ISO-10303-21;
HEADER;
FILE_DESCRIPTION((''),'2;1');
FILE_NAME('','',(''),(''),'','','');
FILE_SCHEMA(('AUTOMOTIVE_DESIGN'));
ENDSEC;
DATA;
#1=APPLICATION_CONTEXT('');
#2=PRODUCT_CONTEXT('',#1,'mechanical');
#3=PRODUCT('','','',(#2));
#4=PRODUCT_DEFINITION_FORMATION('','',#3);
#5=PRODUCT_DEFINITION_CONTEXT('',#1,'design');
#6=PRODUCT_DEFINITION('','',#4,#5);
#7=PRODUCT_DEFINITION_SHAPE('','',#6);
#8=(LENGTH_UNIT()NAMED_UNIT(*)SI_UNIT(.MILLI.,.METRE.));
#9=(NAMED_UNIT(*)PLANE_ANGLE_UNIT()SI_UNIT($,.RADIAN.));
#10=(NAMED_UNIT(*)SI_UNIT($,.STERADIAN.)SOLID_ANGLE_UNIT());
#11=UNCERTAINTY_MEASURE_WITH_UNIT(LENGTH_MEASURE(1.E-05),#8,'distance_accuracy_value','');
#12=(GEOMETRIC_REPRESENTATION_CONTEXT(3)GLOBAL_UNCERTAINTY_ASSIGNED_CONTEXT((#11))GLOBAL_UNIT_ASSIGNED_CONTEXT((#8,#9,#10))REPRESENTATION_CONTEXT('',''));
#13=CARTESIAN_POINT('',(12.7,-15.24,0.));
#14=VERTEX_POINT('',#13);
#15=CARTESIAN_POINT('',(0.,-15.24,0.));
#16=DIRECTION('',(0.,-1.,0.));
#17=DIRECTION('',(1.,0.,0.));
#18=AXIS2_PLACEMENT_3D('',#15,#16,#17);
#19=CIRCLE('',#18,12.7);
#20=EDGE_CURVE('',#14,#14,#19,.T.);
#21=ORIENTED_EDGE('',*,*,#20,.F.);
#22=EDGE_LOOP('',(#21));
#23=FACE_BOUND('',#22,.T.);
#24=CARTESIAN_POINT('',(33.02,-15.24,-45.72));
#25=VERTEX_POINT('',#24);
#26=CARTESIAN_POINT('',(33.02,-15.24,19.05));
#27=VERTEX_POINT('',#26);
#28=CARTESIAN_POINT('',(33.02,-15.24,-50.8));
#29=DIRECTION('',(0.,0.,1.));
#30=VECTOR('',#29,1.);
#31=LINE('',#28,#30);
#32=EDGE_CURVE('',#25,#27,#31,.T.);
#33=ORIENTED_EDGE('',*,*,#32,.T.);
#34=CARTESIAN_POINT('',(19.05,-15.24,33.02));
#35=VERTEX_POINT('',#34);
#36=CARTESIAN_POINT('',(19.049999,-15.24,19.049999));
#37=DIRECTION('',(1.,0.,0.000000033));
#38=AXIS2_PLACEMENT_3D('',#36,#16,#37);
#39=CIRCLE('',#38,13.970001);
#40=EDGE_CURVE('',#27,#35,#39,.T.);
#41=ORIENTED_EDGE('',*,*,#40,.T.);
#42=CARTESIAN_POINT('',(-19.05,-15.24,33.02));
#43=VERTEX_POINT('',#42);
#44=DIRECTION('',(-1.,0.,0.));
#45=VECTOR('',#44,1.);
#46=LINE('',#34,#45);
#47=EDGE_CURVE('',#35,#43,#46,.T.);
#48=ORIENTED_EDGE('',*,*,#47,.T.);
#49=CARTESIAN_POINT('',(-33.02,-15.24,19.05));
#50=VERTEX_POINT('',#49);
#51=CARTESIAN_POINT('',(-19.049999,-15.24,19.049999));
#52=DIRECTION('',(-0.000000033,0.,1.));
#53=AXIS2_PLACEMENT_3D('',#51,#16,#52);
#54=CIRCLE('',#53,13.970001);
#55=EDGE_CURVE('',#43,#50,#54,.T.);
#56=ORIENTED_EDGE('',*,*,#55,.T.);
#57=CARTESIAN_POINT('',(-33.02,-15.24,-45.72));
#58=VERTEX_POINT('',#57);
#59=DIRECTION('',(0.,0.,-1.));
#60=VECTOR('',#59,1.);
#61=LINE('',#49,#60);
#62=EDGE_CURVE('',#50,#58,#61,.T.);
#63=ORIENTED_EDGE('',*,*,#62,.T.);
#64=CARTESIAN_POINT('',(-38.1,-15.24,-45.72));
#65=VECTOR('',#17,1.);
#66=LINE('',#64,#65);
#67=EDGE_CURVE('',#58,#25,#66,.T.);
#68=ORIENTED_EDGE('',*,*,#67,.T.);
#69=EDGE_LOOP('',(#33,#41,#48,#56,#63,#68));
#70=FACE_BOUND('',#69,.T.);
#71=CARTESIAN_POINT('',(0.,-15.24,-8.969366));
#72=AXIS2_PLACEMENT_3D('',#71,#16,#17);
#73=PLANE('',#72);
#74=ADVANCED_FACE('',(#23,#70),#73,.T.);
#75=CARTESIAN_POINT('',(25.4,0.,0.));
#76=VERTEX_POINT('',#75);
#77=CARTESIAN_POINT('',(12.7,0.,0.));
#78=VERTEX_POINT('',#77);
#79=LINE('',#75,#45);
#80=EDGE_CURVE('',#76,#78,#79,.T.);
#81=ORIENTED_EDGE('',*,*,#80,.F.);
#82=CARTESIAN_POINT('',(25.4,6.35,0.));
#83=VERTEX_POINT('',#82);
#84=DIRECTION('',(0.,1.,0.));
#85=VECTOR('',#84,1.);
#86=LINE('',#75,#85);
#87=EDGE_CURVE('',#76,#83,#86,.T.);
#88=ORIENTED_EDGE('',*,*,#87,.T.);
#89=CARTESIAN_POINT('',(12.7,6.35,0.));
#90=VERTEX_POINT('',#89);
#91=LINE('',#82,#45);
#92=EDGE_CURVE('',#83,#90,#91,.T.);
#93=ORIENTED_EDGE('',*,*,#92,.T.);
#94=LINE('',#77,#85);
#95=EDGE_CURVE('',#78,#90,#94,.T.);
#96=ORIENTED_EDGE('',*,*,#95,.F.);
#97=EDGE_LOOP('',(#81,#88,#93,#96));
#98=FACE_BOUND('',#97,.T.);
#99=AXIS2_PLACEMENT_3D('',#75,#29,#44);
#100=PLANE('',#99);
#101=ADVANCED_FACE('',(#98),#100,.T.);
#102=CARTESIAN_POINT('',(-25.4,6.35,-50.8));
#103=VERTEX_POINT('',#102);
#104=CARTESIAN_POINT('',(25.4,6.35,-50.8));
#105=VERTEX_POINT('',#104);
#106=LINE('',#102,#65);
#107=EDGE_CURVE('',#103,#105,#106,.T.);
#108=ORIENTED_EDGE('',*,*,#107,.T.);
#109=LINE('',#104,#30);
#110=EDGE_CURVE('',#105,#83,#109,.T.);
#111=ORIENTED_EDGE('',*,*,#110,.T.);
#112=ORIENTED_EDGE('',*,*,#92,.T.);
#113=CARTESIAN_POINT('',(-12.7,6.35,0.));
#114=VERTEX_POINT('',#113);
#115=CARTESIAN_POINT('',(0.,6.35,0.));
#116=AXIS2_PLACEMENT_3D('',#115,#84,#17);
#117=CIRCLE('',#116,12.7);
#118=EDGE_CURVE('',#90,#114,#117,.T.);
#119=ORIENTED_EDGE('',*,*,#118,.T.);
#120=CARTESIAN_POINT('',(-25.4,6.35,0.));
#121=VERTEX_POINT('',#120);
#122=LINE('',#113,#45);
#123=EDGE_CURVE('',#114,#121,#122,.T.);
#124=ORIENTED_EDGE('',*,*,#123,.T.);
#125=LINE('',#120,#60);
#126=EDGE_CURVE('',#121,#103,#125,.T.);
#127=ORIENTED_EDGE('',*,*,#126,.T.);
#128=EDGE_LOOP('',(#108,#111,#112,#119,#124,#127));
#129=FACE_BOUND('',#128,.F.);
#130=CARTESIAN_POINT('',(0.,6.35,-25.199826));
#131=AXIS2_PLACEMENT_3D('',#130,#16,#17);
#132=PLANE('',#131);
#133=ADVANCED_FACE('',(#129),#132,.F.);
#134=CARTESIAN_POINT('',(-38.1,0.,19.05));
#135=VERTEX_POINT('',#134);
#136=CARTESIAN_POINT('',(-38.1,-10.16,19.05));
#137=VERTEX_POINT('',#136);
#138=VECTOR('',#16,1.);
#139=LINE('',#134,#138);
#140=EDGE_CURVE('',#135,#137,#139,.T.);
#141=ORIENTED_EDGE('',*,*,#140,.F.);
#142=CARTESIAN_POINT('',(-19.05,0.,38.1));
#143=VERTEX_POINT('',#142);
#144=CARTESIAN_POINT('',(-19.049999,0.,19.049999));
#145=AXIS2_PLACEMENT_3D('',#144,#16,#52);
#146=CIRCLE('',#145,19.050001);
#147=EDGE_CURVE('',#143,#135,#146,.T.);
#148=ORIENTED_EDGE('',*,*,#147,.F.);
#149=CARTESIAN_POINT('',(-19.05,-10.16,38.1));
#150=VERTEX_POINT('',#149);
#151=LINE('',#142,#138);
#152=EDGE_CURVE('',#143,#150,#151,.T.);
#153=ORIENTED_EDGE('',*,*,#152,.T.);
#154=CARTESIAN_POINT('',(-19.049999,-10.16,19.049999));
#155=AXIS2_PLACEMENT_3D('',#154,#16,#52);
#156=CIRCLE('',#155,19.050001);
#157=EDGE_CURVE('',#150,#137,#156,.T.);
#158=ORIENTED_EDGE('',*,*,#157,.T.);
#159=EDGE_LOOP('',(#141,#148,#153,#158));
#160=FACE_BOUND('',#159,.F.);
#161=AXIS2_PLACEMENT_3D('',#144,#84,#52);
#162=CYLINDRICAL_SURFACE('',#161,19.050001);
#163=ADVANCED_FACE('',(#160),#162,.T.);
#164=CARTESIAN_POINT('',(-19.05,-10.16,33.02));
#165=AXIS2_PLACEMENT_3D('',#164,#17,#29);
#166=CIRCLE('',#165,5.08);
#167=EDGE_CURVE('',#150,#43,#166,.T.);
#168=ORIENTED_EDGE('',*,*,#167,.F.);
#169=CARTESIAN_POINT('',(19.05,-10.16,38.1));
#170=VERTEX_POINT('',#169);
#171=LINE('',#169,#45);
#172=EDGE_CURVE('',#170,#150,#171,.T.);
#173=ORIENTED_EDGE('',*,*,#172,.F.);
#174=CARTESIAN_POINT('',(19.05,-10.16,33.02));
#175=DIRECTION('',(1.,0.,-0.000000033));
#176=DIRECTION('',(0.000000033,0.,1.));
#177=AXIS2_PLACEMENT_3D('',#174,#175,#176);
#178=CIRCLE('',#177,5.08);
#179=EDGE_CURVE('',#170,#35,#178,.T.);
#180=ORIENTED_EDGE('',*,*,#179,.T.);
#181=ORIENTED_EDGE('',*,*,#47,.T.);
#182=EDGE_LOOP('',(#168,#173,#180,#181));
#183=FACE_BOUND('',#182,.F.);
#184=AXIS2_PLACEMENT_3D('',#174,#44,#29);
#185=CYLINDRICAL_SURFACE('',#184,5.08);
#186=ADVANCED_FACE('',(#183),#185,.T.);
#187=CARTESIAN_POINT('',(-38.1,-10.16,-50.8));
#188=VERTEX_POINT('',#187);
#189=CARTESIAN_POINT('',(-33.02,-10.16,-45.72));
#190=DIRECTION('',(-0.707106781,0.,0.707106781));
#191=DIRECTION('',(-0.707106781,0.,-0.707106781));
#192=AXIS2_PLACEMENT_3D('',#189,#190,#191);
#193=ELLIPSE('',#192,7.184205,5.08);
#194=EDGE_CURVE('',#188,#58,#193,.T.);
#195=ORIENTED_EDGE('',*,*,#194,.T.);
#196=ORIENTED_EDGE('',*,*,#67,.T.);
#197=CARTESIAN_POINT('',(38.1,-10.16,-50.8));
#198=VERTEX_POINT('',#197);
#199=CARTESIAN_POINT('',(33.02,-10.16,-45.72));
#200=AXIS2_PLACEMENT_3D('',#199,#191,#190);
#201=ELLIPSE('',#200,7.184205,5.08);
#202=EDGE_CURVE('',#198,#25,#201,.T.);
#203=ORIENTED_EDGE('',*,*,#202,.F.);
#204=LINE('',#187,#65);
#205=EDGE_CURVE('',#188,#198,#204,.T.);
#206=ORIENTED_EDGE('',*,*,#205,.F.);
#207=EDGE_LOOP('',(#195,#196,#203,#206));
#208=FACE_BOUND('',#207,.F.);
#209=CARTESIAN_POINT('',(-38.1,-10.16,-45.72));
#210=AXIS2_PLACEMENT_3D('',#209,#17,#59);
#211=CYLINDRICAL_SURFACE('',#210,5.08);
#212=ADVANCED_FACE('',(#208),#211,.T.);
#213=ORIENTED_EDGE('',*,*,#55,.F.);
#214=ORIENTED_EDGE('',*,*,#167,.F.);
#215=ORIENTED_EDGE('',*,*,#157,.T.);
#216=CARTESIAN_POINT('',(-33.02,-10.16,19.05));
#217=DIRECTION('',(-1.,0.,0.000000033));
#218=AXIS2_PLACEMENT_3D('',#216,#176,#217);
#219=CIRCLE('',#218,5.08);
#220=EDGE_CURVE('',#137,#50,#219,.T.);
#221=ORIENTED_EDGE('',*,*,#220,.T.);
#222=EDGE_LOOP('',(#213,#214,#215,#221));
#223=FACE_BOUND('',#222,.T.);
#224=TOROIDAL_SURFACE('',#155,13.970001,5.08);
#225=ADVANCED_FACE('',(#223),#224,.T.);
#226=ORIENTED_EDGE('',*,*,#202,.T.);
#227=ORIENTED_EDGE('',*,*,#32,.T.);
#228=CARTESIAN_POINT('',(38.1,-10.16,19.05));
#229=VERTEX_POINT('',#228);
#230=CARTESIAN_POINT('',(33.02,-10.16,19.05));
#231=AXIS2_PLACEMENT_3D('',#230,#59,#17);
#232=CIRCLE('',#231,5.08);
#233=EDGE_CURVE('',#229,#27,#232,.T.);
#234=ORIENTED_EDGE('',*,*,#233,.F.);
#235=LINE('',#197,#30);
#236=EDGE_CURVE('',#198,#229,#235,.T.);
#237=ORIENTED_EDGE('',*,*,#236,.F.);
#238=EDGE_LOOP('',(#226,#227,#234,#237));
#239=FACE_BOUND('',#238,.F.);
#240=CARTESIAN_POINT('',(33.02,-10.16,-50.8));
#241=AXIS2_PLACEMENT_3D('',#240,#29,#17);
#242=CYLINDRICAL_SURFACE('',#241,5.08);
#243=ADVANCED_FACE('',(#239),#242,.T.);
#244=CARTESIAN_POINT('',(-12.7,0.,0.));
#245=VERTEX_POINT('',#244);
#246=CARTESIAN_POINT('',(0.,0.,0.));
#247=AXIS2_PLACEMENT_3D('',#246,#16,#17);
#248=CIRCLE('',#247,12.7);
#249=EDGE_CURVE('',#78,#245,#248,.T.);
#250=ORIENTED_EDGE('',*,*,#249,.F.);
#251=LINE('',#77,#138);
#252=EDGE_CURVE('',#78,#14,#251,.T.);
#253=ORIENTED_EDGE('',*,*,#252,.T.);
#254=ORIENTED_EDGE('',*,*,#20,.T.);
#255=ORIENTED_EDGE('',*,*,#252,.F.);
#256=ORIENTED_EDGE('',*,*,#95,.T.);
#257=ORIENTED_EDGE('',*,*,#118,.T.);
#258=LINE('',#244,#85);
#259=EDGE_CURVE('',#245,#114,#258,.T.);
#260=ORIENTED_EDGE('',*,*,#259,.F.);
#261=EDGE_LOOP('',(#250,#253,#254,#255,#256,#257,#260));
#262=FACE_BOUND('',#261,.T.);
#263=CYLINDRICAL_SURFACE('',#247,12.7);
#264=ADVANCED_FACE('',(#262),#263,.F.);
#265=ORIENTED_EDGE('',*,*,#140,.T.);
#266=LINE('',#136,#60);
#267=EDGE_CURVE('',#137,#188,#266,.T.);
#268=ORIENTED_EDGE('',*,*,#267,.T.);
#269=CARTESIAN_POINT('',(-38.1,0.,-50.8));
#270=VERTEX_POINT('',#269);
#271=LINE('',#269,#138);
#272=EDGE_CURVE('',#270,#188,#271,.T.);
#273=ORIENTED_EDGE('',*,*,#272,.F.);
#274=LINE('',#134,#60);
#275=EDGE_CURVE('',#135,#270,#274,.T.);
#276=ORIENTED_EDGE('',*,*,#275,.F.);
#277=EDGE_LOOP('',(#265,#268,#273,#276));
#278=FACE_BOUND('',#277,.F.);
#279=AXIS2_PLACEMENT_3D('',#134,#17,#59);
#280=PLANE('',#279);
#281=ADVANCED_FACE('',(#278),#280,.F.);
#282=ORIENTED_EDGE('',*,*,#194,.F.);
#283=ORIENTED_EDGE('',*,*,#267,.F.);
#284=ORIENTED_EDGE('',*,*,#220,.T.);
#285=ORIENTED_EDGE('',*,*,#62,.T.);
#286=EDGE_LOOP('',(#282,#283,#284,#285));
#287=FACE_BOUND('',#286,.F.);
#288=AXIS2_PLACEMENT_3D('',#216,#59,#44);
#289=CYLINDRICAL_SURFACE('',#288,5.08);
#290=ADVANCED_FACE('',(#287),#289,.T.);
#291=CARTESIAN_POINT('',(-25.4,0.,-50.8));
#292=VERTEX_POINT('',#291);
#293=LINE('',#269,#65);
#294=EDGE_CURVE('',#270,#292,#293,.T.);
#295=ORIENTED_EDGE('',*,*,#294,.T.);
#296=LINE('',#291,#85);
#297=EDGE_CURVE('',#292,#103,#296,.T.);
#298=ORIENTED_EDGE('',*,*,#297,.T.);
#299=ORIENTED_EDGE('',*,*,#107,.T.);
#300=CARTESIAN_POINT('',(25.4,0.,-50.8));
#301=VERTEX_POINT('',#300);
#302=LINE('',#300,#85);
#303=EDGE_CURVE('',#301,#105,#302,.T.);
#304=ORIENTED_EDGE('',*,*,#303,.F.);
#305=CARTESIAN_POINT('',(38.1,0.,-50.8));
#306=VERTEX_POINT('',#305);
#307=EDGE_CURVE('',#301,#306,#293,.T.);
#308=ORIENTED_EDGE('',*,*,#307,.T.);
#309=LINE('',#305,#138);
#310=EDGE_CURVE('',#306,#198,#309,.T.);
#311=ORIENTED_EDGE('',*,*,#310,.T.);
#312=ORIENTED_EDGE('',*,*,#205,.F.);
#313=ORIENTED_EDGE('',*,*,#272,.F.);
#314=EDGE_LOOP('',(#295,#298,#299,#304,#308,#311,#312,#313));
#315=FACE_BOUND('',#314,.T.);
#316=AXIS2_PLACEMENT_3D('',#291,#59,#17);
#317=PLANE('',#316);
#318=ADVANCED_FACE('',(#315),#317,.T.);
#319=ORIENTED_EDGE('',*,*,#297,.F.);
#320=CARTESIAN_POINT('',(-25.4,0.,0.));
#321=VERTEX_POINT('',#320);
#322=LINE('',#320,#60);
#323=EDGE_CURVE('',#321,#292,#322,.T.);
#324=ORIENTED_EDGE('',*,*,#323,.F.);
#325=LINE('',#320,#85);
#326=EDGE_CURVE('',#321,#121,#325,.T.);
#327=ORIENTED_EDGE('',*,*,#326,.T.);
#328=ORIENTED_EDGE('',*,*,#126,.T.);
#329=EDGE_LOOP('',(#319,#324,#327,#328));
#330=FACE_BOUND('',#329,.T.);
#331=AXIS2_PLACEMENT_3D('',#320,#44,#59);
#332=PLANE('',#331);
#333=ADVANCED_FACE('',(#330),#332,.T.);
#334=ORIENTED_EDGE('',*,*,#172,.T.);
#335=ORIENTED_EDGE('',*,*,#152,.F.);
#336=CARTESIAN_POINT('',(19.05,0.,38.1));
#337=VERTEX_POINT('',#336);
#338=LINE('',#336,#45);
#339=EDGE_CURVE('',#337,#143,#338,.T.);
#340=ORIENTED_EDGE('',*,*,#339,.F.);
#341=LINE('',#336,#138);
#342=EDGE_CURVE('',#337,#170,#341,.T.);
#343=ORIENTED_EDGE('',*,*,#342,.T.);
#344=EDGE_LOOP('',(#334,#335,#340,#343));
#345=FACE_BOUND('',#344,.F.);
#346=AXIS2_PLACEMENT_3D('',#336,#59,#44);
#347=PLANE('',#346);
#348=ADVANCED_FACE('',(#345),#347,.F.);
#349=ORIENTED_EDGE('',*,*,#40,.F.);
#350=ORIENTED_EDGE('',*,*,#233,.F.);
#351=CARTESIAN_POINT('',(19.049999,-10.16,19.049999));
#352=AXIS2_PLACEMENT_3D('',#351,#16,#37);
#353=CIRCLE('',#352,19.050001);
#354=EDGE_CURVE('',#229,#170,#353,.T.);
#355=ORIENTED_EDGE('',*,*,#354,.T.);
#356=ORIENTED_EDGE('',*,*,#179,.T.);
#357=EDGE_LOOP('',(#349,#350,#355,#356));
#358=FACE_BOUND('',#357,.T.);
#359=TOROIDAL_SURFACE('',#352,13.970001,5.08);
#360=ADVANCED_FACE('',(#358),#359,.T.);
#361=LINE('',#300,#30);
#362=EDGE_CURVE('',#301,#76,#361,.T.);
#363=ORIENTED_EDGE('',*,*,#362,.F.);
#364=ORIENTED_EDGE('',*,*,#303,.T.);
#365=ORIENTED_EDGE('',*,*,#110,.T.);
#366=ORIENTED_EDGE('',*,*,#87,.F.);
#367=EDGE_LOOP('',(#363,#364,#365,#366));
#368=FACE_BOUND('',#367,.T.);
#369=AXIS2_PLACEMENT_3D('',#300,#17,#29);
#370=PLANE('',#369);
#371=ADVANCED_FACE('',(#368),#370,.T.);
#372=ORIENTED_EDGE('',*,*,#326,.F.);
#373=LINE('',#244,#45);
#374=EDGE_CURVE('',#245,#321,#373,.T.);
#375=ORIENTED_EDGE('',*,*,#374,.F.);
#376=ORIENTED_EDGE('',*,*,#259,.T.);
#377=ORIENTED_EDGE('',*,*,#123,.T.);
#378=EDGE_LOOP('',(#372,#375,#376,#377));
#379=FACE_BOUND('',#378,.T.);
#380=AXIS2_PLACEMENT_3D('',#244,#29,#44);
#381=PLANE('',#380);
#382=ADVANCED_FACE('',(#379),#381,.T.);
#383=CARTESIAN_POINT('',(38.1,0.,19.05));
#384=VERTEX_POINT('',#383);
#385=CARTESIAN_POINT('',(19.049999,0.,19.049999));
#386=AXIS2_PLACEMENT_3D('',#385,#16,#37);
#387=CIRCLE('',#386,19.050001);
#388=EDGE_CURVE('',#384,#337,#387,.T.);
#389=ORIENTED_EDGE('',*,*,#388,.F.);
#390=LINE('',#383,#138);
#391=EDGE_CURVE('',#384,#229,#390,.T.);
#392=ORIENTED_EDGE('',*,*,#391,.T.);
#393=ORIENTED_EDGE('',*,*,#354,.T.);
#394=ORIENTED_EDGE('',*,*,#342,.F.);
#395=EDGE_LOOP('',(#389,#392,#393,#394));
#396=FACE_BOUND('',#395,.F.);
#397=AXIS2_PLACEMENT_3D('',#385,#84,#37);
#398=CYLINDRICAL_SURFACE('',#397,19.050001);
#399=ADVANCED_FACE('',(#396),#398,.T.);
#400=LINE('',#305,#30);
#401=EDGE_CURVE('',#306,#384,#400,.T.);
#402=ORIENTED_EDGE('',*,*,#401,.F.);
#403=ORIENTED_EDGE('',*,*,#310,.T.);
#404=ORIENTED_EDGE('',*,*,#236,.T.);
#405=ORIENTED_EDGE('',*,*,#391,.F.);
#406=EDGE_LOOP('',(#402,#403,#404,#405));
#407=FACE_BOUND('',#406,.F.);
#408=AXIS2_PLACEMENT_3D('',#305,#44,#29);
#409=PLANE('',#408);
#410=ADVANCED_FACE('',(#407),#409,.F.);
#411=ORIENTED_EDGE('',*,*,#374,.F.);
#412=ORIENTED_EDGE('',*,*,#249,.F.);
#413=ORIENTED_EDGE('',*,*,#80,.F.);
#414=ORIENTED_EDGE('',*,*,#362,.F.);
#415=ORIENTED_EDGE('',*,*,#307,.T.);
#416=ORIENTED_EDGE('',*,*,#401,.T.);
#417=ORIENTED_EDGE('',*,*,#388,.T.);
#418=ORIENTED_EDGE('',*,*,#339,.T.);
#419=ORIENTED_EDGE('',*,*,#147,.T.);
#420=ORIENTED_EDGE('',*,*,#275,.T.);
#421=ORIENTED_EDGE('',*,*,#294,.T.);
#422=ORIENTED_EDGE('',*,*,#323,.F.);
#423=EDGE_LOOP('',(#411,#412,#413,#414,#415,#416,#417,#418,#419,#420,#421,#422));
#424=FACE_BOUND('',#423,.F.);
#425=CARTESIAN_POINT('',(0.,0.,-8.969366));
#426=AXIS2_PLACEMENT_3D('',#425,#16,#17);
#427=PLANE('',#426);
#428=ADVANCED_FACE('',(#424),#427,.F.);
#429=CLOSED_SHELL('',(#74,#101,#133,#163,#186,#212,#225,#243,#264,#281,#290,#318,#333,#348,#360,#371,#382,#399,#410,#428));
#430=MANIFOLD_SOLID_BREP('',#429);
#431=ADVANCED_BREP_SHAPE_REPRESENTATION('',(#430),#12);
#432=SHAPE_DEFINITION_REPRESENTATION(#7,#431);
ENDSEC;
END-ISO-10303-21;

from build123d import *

# Parameters (mm, degrees)
F0_R     = 12.7
F1_DEPTH = 15.24
F3_DEPTH = 6.35
F4_R     = 5.08


with BuildPart() as f1:
    # F0 (on Front) → F1 (new body)
    with BuildSketch(Plane.XZ):
        with BuildLine():
            Line((19.05, 38.1), (-19.05, 38.1))
            ThreePointArc((-19.05, 38.1), (-32.520384, 32.520384), (-38.1, 19.05))
            Line((-38.1, 19.05), (-38.1, -50.8))
            Line((-38.1, -50.8), (38.1, -50.8))
            Line((38.1, -50.8), (38.1, 19.05))
            ThreePointArc((38.1, 19.05), (32.520384, 32.520384), (19.05, 38.1))
        make_face()
        Circle(F0_R, mode=Mode.SUBTRACT)
    extrude(amount=F1_DEPTH)

    # F2 (on Front) → F3 (join)
    with BuildSketch(Plane.XZ):
        with BuildLine():
            Line((25.4, -50.8), (25.4, 0))
            Line((25.4, 0), (12.7, 0))
            ThreePointArc((12.7, 0), (0, -12.7), (-12.7, 0))
            Line((-12.7, 0), (-25.4, 0))
            Line((-25.4, 0), (-25.4, -50.8))
            Line((-25.4, -50.8), (25.4, -50.8))
        make_face()
    extrude(amount=-F3_DEPTH)

    # F4
    f4_edges = [f1.edges().sort_by_distance(p)[0] for p in [
        (-38.1, -15.24, -15.875),
        (-32.520384, -15.24, 32.520384),
        (0, -15.24, 38.1),
        (32.520384, -15.24, 32.520384),
        (38.1, -15.24, -15.875),
        (0, -15.24, -50.8),
    ]]
    fillet(f4_edges, radius=F4_R)


solid = f1.part
